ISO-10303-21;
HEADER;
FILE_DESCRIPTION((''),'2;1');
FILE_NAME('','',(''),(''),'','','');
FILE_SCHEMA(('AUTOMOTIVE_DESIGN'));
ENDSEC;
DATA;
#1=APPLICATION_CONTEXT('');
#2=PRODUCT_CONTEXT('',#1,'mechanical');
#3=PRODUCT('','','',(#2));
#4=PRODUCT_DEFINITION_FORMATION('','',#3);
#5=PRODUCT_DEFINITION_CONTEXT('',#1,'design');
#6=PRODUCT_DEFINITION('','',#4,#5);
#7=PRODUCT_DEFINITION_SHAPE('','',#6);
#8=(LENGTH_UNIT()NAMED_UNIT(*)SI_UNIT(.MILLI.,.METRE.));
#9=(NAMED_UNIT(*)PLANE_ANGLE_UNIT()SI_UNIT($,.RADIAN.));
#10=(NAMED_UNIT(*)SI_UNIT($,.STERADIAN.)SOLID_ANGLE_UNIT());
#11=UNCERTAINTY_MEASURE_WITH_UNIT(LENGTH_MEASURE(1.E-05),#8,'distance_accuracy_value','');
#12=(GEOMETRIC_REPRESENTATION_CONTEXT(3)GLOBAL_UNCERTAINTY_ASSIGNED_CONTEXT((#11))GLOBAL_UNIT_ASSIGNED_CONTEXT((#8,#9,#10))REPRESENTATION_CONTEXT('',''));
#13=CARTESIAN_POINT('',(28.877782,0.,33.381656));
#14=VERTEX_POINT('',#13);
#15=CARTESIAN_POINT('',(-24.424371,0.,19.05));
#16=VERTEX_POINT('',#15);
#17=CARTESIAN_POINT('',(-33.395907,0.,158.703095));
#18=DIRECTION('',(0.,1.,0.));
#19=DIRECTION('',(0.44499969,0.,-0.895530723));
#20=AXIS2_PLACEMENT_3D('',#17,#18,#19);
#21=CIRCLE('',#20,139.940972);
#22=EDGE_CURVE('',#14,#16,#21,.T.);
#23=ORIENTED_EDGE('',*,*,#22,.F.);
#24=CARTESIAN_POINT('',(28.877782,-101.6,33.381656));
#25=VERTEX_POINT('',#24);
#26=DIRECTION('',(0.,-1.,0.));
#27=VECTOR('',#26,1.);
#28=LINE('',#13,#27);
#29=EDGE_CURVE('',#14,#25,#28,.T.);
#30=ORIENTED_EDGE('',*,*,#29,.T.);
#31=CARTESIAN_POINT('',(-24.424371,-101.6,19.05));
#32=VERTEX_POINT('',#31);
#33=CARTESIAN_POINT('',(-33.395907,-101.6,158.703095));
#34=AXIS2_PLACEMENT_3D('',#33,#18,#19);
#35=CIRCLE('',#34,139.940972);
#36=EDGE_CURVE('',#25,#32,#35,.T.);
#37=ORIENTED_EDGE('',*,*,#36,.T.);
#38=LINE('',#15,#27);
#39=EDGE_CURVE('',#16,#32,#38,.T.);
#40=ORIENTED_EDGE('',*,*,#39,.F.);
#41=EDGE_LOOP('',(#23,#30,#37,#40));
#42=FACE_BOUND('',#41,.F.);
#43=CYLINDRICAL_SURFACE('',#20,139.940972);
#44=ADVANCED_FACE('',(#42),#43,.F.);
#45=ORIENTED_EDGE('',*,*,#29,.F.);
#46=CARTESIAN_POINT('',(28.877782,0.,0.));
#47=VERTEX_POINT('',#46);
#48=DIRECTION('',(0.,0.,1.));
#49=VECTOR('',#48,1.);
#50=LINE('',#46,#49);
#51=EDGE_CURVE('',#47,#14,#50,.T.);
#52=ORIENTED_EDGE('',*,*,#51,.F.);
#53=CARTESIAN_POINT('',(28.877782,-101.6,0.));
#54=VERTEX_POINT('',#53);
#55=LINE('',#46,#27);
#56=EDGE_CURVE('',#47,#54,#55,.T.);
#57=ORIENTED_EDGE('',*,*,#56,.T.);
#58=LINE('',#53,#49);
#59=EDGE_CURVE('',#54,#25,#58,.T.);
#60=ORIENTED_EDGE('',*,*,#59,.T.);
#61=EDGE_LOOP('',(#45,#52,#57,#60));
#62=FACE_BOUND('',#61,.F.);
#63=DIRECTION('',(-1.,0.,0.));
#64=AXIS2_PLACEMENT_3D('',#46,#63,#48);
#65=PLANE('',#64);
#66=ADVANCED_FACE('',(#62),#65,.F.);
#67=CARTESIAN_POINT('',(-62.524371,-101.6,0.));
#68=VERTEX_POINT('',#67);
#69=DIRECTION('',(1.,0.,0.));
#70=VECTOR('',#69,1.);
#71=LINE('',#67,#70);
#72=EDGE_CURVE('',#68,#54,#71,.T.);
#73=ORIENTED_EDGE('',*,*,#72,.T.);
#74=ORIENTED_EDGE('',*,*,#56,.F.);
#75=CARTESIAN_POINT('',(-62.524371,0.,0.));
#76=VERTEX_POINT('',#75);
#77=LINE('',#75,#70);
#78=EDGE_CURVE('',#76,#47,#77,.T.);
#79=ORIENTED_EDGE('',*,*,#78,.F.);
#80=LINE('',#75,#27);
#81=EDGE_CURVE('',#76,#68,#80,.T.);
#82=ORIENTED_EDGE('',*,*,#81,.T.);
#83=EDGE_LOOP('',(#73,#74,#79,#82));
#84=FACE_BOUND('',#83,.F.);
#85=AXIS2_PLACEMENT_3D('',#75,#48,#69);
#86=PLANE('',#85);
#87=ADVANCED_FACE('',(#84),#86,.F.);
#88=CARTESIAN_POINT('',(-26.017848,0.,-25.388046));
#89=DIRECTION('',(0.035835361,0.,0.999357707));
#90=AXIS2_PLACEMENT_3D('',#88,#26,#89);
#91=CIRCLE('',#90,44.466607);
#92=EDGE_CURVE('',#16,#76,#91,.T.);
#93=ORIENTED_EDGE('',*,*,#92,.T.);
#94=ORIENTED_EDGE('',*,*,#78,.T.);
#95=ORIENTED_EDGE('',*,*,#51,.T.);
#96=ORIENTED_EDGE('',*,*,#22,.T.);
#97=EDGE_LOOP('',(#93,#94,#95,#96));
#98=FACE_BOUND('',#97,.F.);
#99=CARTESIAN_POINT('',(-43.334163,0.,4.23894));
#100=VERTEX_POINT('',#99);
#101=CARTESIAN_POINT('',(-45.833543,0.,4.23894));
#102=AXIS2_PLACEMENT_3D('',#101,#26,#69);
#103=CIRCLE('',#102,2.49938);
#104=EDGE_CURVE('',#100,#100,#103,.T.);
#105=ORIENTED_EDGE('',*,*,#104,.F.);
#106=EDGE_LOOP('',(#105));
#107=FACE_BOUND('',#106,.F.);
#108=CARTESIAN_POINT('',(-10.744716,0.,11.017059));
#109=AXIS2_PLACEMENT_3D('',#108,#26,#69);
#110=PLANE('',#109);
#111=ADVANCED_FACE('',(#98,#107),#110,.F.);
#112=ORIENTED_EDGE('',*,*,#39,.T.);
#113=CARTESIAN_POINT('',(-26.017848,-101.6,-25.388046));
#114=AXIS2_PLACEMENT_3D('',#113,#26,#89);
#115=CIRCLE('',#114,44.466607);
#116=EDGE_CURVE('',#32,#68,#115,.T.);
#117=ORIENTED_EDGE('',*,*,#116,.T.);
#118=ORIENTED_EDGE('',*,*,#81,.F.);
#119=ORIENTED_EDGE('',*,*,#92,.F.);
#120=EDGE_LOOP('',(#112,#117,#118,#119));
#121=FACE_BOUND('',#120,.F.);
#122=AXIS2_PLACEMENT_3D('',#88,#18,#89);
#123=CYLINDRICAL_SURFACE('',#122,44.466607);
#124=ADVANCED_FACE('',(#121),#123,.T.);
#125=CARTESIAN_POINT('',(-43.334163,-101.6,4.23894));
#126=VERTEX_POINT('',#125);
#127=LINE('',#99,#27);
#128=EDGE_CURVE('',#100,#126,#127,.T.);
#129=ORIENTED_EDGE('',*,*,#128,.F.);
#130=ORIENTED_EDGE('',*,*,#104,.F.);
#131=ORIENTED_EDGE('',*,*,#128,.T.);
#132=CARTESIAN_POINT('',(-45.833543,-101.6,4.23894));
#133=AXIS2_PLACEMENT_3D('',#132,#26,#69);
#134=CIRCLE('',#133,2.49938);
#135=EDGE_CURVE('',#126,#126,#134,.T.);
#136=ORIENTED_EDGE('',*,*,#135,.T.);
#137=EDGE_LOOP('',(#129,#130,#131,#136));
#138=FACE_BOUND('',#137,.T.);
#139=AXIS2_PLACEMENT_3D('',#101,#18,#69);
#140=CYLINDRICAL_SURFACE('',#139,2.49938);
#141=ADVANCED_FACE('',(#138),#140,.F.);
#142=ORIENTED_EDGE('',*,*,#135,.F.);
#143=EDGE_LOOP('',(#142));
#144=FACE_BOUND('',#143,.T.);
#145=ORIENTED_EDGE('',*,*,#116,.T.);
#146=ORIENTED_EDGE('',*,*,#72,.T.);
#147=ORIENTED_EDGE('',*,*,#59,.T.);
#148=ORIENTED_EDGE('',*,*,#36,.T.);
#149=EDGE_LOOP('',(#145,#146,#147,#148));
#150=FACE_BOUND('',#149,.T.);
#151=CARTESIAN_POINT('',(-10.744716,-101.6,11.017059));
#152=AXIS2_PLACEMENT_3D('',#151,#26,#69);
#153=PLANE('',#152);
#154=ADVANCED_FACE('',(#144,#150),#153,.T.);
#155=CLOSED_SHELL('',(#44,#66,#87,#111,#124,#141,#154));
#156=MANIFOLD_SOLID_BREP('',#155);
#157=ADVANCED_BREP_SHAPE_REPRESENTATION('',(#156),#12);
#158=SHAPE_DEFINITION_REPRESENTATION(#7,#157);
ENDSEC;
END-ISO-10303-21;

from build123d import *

# Parameters (mm, degrees)
F0_R     = 2.49938
F1_DEPTH = 101.6


with BuildPart() as f1:
    # F0 (on Front) → F1 (new body)
    with BuildSketch(Plane.XZ):
        with BuildLine():
            ThreePointArc((-24.424371, 19.05), (-45.903919, 14.384096), (-62.524371, 0))
            Line((-62.524371, 0), (-24.424371, 0))
            Line((-24.424371, 0), (28.877782, 0))
            Line((28.877782, 0), (28.877782, 33.381656))
            ThreePointArc((28.877782, 33.381656), (2.940295, 23.561851), (-24.424371, 19.05))
        make_face()
        with Locations((-45.833543, 4.23894)):
            Circle(F0_R, mode=Mode.SUBTRACT)
    extrude(amount=F1_DEPTH)


solid = f1.part
